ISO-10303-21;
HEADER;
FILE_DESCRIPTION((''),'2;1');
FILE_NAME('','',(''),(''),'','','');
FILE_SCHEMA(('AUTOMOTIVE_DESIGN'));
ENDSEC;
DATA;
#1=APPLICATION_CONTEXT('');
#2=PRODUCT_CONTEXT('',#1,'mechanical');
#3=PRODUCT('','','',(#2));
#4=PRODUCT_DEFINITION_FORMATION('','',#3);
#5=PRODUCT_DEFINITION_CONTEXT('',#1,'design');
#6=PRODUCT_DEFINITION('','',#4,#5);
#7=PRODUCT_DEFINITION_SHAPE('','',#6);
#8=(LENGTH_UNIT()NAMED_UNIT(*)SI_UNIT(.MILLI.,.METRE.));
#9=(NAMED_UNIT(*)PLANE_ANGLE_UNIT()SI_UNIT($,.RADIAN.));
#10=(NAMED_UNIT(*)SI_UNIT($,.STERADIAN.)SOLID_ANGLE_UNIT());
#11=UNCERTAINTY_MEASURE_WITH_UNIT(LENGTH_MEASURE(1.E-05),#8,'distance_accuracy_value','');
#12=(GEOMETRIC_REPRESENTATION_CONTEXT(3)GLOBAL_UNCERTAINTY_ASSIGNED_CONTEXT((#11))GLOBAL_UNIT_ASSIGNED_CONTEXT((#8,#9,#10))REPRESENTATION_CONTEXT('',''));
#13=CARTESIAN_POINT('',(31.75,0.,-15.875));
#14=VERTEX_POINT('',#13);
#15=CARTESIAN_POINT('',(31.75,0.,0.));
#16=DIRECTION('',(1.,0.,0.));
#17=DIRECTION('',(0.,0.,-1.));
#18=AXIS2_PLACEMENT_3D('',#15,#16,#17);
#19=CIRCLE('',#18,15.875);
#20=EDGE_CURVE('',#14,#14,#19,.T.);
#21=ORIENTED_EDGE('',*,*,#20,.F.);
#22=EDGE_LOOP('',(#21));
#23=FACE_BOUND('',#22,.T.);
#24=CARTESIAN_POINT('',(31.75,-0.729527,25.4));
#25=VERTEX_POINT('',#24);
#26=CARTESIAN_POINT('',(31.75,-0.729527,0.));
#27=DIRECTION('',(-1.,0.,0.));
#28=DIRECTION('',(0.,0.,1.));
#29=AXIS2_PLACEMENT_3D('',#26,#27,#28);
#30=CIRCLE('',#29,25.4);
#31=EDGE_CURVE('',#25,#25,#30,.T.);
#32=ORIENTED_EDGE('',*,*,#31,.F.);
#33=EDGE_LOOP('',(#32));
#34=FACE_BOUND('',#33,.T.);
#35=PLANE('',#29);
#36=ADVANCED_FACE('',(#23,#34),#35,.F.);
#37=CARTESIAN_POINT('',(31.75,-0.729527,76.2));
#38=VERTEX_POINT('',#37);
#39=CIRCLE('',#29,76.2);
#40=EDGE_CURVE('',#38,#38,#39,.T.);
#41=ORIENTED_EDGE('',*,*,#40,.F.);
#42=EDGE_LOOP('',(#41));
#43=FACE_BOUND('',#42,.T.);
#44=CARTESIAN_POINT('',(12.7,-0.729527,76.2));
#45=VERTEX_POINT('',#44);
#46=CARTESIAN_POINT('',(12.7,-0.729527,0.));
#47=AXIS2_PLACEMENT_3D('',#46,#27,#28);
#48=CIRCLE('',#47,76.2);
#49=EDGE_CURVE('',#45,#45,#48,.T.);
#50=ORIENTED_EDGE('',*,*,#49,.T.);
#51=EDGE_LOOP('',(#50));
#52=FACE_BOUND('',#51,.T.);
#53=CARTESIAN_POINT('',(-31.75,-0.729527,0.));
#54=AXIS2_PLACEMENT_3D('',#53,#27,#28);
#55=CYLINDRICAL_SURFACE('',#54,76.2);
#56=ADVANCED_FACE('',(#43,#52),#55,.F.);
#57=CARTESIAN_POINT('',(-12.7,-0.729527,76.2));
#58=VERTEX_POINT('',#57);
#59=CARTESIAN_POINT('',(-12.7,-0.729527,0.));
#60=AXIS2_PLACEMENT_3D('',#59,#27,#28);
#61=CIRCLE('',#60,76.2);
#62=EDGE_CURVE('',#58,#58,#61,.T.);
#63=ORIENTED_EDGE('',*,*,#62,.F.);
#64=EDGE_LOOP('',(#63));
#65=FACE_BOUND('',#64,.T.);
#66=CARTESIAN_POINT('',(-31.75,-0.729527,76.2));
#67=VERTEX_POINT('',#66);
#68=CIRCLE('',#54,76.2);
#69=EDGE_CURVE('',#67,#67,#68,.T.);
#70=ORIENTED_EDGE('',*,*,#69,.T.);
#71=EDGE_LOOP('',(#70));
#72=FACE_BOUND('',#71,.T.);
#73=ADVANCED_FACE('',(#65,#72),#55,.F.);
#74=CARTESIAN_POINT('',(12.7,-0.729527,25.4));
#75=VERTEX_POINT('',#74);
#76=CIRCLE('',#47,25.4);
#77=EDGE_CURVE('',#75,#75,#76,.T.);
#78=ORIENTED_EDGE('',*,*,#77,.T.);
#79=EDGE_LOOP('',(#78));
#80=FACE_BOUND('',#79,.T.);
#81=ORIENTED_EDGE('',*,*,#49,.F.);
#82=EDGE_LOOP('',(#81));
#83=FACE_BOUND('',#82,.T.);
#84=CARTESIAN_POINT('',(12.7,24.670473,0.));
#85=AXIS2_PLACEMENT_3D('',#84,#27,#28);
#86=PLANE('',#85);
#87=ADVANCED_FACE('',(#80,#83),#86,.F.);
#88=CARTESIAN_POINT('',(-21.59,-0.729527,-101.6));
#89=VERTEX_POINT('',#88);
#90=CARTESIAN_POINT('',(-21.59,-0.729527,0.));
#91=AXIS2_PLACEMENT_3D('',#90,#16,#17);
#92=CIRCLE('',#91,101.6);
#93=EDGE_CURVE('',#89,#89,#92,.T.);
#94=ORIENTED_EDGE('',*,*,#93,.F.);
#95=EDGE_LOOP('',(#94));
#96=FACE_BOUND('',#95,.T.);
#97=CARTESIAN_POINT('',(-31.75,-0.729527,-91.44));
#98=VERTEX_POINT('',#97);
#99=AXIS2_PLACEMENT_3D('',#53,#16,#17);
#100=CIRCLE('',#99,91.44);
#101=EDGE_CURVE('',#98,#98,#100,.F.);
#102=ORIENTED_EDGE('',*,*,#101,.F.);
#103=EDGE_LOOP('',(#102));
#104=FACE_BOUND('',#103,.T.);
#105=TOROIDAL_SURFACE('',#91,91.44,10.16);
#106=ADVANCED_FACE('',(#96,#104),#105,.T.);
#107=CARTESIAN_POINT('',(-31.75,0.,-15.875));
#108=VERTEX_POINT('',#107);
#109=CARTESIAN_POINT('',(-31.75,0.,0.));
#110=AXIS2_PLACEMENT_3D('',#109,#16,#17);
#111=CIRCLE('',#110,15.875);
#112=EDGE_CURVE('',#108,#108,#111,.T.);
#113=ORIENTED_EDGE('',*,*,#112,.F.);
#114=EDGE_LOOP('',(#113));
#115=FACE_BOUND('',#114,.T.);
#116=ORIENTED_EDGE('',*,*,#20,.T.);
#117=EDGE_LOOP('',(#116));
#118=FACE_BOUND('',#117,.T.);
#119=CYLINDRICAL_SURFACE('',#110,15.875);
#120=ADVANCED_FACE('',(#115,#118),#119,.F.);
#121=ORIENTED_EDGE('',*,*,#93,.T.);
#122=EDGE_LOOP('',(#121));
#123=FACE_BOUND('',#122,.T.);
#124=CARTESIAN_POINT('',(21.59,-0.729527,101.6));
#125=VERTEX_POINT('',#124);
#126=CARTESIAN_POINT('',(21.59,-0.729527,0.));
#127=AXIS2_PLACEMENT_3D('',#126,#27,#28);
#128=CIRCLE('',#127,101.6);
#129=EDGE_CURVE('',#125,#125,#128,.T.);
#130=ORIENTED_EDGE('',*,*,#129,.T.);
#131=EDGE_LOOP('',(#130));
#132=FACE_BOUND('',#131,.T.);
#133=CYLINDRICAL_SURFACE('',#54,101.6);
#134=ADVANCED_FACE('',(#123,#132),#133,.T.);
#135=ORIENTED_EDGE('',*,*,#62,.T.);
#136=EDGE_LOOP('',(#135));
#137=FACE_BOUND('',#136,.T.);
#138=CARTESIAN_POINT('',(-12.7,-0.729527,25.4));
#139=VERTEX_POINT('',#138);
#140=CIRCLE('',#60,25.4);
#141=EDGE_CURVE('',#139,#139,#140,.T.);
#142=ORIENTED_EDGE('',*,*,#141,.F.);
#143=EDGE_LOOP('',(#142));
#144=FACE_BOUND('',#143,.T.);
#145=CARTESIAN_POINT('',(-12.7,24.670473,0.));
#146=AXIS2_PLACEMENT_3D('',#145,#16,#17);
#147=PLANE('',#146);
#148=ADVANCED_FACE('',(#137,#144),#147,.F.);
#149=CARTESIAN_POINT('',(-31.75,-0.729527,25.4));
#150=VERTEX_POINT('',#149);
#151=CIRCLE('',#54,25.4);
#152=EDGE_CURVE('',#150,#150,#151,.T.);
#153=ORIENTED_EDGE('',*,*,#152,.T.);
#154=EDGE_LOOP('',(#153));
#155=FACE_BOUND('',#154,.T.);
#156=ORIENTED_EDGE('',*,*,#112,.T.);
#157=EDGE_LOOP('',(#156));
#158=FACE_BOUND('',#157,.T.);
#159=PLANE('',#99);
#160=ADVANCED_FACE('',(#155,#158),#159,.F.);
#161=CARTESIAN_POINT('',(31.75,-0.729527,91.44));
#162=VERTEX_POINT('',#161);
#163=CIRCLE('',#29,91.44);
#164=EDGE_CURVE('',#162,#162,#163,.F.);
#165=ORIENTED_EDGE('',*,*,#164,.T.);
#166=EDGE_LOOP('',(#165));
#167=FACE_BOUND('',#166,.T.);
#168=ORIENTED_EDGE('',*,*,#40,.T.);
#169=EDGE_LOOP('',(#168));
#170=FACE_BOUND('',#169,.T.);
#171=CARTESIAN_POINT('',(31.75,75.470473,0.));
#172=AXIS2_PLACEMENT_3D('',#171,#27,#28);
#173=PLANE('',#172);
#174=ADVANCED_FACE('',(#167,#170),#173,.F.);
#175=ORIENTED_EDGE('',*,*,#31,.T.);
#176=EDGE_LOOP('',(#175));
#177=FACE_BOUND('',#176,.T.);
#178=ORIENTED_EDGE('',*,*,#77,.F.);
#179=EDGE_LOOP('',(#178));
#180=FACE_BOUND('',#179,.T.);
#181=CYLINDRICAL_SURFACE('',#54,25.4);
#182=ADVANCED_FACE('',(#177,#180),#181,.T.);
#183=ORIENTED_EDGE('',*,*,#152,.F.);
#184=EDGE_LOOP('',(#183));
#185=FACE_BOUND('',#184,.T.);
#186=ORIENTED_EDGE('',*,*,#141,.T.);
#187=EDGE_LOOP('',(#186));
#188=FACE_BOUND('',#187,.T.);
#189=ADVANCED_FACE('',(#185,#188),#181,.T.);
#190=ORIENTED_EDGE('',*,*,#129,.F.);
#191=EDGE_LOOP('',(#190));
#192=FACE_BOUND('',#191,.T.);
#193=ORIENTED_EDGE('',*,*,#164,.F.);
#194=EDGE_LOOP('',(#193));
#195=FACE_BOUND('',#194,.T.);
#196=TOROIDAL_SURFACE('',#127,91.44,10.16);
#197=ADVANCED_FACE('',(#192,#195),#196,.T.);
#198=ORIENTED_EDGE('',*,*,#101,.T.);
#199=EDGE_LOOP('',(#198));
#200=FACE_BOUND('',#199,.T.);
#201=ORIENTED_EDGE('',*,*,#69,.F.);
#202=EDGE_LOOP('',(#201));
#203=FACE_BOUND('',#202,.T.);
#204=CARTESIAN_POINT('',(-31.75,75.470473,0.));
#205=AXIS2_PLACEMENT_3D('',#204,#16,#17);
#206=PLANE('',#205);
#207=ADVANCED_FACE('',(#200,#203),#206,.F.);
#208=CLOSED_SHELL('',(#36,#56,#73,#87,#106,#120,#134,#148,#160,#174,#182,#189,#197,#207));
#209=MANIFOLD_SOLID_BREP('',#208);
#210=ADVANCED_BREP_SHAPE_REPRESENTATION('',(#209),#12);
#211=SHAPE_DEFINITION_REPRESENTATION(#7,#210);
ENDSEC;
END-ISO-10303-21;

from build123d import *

# Parameters (mm, degrees)
SKETCH2_R          = 15.875
CUT_EXTRUDE1_DEPTH = 64.5
FILLET2_R          = 10.16
FILLET3_R          = 10.16


with BuildPart() as part:
    # Sketch1 → Revolve2 (revolve)
    with BuildSketch(Plane.XY):
        Polygon((-31.75, -0.729526652), (-31.75, 24.670473348), (-12.7, 24.670473348), (-12.7, 75.470473348), (-31.75, 75.470473348), (-31.75, 100.870473348), (31.75, 100.870473348), (31.75, 75.470473348), (12.7, 75.470473348), (12.7, 24.670473348), (31.75, 24.670473348), (31.75, -0.729526652), align=None)
    revolve(axis=Axis((-31.75, -0.729526652, 0), (1, 0, 0)))

    # Sketch2 → Cut-Extrude1 (cut, through all)
    with BuildSketch(Plane(origin=(31.75, 0, 0), x_dir=(0, 0, -1), z_dir=(1, 0, 0))):
        Circle(SKETCH2_R)
    extrude(amount=-CUT_EXTRUDE1_DEPTH, mode=Mode.SUBTRACT)

    # Fillet2
    fillet2_edges = [part.edges().sort_by_distance(p)[0] for p in [
        (31.75, -102.329526652, 0),
    ]]
    fillet(fillet2_edges, radius=FILLET2_R)

    # Fillet3
    fillet3_edges = [part.edges().sort_by_distance(p)[0] for p in [
        (-31.75, -102.329526652, 0),
    ]]
    fillet(fillet3_edges, radius=FILLET3_R)


solid = part.part
